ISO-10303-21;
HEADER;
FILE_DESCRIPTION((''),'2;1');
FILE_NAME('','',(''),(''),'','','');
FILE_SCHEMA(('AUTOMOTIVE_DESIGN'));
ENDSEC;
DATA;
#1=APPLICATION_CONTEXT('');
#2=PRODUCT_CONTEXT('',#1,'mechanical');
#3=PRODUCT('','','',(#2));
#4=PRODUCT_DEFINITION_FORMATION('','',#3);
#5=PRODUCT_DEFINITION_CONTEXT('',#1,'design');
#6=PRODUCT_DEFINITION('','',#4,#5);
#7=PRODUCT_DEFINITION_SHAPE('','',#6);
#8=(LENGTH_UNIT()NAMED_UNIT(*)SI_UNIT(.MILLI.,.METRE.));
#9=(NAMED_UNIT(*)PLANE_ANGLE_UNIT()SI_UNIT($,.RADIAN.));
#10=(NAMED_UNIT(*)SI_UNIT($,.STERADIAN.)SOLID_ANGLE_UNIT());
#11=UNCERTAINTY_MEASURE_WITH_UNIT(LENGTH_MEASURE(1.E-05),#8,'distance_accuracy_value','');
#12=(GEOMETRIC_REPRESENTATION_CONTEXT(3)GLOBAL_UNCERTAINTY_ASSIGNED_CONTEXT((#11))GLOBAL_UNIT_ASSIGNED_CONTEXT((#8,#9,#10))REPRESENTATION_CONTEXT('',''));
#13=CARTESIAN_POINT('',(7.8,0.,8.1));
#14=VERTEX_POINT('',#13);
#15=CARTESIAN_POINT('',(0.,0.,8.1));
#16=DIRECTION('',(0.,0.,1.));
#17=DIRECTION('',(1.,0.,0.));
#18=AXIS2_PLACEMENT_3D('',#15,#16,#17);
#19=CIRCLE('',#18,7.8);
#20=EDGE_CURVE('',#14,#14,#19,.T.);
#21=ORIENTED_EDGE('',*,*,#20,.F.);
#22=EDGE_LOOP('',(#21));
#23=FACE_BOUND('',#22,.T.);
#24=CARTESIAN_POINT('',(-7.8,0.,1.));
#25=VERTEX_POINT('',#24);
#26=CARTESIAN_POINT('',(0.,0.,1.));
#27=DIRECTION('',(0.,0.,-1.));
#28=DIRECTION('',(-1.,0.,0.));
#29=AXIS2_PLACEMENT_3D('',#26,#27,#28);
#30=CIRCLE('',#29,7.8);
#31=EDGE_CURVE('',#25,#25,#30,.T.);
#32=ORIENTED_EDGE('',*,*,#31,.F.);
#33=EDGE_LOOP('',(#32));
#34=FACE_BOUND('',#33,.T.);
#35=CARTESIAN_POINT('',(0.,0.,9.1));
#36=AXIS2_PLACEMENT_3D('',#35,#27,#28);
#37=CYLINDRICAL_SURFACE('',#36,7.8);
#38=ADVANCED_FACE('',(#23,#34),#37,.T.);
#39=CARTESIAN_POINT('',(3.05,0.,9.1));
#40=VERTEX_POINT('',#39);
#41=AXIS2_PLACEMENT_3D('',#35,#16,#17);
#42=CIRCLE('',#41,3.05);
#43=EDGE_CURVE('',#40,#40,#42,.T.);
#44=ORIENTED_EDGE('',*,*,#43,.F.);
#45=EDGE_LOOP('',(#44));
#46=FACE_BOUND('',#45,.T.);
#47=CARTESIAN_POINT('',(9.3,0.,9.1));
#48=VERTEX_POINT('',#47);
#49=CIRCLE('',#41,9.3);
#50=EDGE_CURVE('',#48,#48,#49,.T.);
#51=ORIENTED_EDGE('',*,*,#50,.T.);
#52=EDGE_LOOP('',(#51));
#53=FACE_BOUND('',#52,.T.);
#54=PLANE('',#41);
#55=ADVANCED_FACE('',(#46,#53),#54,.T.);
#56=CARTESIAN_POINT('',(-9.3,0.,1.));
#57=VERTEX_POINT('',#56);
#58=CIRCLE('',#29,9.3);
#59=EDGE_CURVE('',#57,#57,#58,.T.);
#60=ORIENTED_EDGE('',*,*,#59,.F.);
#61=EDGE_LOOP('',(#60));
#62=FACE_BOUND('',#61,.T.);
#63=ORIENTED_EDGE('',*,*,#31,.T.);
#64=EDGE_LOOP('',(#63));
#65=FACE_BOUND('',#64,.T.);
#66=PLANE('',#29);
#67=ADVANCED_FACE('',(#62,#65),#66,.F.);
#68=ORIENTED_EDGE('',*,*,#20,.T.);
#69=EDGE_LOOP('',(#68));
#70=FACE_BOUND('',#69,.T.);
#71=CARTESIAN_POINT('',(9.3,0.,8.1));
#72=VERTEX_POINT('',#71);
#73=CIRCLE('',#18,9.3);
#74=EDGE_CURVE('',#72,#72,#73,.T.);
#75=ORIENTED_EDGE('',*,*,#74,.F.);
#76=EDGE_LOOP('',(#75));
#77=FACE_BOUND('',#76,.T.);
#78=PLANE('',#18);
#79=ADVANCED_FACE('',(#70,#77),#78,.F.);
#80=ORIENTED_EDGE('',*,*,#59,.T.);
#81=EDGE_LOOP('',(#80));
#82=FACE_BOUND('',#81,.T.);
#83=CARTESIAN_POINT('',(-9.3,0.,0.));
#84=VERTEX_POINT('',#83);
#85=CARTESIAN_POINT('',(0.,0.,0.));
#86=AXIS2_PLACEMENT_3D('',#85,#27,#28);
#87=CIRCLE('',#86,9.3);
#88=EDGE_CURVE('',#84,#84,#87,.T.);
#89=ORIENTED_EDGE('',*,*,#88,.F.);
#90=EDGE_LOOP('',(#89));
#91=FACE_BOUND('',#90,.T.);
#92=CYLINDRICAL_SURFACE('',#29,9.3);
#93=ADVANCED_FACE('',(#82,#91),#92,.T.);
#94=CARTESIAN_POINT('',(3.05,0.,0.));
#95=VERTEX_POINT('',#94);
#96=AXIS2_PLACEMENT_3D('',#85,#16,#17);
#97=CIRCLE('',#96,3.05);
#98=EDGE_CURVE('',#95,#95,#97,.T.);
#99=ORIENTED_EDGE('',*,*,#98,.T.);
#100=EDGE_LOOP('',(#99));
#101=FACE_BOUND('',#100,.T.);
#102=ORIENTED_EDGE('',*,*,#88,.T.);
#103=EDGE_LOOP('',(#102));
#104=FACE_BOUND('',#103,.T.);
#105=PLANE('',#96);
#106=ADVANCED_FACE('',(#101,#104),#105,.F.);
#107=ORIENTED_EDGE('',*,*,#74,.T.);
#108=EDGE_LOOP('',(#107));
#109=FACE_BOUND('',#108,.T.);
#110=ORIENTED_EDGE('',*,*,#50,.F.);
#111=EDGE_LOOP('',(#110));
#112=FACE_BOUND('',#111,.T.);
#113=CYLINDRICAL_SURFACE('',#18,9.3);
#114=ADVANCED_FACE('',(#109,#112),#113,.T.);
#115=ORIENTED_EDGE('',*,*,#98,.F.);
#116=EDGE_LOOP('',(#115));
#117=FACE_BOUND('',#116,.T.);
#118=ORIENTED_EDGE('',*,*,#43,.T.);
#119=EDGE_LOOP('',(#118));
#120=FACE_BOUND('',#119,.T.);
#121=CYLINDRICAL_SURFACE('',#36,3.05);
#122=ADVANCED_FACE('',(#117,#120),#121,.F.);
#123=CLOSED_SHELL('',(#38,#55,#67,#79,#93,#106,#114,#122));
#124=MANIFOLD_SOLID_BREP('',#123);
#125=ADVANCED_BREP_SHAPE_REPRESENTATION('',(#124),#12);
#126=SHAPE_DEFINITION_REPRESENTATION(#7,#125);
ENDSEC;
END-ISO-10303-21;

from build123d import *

# Parameters (mm, degrees)
ESBO_O1_R                = 7.8
ESBO_O1_R_2              = 3.05
RESSALTO_EXTRUS_O1_DEPTH = 9.1
ESBO_O2_R                = 9.3
ESBO_O2_R_2              = 7.8
RESSALTO_EXTRUS_O2_DEPTH = 1
RESSALTO_EXTRUS_O3_START = -1
ESBO_O3_R                = 9.3
ESBO_O3_R_2              = 7.8
RESSALTO_EXTRUS_O3_DEPTH = 1


with BuildPart() as part:
    # Esboço1 → Ressalto-extrusão1 (new body)
    with BuildSketch(Plane.XY):
        Circle(ESBO_O1_R)
        Circle(ESBO_O1_R_2, mode=Mode.SUBTRACT)
    extrude(amount=RESSALTO_EXTRUS_O1_DEPTH)

    # Esboço2 → Ressalto-extrusão2 (add)
    with BuildSketch(Plane(origin=(0, 0, 0), x_dir=(-1, 0, 0), z_dir=(0, 0, -1))):
        Circle(ESBO_O2_R)
        Circle(ESBO_O2_R_2, mode=Mode.SUBTRACT)
    extrude(amount=-RESSALTO_EXTRUS_O2_DEPTH)

    # Esboço3 → Ressalto-extrusão3 (add)
    with BuildSketch(Plane.XY.offset(9.1).offset(RESSALTO_EXTRUS_O3_START)):
        with Locations(Location((0, 0, 0), (0, 0, 180))):
            Circle(ESBO_O3_R)
        with Locations(Location((0, 0, 0), (0, 0, 180))):
            Circle(ESBO_O3_R_2, mode=Mode.SUBTRACT)
    extrude(amount=RESSALTO_EXTRUS_O3_DEPTH)


solid = part.part
